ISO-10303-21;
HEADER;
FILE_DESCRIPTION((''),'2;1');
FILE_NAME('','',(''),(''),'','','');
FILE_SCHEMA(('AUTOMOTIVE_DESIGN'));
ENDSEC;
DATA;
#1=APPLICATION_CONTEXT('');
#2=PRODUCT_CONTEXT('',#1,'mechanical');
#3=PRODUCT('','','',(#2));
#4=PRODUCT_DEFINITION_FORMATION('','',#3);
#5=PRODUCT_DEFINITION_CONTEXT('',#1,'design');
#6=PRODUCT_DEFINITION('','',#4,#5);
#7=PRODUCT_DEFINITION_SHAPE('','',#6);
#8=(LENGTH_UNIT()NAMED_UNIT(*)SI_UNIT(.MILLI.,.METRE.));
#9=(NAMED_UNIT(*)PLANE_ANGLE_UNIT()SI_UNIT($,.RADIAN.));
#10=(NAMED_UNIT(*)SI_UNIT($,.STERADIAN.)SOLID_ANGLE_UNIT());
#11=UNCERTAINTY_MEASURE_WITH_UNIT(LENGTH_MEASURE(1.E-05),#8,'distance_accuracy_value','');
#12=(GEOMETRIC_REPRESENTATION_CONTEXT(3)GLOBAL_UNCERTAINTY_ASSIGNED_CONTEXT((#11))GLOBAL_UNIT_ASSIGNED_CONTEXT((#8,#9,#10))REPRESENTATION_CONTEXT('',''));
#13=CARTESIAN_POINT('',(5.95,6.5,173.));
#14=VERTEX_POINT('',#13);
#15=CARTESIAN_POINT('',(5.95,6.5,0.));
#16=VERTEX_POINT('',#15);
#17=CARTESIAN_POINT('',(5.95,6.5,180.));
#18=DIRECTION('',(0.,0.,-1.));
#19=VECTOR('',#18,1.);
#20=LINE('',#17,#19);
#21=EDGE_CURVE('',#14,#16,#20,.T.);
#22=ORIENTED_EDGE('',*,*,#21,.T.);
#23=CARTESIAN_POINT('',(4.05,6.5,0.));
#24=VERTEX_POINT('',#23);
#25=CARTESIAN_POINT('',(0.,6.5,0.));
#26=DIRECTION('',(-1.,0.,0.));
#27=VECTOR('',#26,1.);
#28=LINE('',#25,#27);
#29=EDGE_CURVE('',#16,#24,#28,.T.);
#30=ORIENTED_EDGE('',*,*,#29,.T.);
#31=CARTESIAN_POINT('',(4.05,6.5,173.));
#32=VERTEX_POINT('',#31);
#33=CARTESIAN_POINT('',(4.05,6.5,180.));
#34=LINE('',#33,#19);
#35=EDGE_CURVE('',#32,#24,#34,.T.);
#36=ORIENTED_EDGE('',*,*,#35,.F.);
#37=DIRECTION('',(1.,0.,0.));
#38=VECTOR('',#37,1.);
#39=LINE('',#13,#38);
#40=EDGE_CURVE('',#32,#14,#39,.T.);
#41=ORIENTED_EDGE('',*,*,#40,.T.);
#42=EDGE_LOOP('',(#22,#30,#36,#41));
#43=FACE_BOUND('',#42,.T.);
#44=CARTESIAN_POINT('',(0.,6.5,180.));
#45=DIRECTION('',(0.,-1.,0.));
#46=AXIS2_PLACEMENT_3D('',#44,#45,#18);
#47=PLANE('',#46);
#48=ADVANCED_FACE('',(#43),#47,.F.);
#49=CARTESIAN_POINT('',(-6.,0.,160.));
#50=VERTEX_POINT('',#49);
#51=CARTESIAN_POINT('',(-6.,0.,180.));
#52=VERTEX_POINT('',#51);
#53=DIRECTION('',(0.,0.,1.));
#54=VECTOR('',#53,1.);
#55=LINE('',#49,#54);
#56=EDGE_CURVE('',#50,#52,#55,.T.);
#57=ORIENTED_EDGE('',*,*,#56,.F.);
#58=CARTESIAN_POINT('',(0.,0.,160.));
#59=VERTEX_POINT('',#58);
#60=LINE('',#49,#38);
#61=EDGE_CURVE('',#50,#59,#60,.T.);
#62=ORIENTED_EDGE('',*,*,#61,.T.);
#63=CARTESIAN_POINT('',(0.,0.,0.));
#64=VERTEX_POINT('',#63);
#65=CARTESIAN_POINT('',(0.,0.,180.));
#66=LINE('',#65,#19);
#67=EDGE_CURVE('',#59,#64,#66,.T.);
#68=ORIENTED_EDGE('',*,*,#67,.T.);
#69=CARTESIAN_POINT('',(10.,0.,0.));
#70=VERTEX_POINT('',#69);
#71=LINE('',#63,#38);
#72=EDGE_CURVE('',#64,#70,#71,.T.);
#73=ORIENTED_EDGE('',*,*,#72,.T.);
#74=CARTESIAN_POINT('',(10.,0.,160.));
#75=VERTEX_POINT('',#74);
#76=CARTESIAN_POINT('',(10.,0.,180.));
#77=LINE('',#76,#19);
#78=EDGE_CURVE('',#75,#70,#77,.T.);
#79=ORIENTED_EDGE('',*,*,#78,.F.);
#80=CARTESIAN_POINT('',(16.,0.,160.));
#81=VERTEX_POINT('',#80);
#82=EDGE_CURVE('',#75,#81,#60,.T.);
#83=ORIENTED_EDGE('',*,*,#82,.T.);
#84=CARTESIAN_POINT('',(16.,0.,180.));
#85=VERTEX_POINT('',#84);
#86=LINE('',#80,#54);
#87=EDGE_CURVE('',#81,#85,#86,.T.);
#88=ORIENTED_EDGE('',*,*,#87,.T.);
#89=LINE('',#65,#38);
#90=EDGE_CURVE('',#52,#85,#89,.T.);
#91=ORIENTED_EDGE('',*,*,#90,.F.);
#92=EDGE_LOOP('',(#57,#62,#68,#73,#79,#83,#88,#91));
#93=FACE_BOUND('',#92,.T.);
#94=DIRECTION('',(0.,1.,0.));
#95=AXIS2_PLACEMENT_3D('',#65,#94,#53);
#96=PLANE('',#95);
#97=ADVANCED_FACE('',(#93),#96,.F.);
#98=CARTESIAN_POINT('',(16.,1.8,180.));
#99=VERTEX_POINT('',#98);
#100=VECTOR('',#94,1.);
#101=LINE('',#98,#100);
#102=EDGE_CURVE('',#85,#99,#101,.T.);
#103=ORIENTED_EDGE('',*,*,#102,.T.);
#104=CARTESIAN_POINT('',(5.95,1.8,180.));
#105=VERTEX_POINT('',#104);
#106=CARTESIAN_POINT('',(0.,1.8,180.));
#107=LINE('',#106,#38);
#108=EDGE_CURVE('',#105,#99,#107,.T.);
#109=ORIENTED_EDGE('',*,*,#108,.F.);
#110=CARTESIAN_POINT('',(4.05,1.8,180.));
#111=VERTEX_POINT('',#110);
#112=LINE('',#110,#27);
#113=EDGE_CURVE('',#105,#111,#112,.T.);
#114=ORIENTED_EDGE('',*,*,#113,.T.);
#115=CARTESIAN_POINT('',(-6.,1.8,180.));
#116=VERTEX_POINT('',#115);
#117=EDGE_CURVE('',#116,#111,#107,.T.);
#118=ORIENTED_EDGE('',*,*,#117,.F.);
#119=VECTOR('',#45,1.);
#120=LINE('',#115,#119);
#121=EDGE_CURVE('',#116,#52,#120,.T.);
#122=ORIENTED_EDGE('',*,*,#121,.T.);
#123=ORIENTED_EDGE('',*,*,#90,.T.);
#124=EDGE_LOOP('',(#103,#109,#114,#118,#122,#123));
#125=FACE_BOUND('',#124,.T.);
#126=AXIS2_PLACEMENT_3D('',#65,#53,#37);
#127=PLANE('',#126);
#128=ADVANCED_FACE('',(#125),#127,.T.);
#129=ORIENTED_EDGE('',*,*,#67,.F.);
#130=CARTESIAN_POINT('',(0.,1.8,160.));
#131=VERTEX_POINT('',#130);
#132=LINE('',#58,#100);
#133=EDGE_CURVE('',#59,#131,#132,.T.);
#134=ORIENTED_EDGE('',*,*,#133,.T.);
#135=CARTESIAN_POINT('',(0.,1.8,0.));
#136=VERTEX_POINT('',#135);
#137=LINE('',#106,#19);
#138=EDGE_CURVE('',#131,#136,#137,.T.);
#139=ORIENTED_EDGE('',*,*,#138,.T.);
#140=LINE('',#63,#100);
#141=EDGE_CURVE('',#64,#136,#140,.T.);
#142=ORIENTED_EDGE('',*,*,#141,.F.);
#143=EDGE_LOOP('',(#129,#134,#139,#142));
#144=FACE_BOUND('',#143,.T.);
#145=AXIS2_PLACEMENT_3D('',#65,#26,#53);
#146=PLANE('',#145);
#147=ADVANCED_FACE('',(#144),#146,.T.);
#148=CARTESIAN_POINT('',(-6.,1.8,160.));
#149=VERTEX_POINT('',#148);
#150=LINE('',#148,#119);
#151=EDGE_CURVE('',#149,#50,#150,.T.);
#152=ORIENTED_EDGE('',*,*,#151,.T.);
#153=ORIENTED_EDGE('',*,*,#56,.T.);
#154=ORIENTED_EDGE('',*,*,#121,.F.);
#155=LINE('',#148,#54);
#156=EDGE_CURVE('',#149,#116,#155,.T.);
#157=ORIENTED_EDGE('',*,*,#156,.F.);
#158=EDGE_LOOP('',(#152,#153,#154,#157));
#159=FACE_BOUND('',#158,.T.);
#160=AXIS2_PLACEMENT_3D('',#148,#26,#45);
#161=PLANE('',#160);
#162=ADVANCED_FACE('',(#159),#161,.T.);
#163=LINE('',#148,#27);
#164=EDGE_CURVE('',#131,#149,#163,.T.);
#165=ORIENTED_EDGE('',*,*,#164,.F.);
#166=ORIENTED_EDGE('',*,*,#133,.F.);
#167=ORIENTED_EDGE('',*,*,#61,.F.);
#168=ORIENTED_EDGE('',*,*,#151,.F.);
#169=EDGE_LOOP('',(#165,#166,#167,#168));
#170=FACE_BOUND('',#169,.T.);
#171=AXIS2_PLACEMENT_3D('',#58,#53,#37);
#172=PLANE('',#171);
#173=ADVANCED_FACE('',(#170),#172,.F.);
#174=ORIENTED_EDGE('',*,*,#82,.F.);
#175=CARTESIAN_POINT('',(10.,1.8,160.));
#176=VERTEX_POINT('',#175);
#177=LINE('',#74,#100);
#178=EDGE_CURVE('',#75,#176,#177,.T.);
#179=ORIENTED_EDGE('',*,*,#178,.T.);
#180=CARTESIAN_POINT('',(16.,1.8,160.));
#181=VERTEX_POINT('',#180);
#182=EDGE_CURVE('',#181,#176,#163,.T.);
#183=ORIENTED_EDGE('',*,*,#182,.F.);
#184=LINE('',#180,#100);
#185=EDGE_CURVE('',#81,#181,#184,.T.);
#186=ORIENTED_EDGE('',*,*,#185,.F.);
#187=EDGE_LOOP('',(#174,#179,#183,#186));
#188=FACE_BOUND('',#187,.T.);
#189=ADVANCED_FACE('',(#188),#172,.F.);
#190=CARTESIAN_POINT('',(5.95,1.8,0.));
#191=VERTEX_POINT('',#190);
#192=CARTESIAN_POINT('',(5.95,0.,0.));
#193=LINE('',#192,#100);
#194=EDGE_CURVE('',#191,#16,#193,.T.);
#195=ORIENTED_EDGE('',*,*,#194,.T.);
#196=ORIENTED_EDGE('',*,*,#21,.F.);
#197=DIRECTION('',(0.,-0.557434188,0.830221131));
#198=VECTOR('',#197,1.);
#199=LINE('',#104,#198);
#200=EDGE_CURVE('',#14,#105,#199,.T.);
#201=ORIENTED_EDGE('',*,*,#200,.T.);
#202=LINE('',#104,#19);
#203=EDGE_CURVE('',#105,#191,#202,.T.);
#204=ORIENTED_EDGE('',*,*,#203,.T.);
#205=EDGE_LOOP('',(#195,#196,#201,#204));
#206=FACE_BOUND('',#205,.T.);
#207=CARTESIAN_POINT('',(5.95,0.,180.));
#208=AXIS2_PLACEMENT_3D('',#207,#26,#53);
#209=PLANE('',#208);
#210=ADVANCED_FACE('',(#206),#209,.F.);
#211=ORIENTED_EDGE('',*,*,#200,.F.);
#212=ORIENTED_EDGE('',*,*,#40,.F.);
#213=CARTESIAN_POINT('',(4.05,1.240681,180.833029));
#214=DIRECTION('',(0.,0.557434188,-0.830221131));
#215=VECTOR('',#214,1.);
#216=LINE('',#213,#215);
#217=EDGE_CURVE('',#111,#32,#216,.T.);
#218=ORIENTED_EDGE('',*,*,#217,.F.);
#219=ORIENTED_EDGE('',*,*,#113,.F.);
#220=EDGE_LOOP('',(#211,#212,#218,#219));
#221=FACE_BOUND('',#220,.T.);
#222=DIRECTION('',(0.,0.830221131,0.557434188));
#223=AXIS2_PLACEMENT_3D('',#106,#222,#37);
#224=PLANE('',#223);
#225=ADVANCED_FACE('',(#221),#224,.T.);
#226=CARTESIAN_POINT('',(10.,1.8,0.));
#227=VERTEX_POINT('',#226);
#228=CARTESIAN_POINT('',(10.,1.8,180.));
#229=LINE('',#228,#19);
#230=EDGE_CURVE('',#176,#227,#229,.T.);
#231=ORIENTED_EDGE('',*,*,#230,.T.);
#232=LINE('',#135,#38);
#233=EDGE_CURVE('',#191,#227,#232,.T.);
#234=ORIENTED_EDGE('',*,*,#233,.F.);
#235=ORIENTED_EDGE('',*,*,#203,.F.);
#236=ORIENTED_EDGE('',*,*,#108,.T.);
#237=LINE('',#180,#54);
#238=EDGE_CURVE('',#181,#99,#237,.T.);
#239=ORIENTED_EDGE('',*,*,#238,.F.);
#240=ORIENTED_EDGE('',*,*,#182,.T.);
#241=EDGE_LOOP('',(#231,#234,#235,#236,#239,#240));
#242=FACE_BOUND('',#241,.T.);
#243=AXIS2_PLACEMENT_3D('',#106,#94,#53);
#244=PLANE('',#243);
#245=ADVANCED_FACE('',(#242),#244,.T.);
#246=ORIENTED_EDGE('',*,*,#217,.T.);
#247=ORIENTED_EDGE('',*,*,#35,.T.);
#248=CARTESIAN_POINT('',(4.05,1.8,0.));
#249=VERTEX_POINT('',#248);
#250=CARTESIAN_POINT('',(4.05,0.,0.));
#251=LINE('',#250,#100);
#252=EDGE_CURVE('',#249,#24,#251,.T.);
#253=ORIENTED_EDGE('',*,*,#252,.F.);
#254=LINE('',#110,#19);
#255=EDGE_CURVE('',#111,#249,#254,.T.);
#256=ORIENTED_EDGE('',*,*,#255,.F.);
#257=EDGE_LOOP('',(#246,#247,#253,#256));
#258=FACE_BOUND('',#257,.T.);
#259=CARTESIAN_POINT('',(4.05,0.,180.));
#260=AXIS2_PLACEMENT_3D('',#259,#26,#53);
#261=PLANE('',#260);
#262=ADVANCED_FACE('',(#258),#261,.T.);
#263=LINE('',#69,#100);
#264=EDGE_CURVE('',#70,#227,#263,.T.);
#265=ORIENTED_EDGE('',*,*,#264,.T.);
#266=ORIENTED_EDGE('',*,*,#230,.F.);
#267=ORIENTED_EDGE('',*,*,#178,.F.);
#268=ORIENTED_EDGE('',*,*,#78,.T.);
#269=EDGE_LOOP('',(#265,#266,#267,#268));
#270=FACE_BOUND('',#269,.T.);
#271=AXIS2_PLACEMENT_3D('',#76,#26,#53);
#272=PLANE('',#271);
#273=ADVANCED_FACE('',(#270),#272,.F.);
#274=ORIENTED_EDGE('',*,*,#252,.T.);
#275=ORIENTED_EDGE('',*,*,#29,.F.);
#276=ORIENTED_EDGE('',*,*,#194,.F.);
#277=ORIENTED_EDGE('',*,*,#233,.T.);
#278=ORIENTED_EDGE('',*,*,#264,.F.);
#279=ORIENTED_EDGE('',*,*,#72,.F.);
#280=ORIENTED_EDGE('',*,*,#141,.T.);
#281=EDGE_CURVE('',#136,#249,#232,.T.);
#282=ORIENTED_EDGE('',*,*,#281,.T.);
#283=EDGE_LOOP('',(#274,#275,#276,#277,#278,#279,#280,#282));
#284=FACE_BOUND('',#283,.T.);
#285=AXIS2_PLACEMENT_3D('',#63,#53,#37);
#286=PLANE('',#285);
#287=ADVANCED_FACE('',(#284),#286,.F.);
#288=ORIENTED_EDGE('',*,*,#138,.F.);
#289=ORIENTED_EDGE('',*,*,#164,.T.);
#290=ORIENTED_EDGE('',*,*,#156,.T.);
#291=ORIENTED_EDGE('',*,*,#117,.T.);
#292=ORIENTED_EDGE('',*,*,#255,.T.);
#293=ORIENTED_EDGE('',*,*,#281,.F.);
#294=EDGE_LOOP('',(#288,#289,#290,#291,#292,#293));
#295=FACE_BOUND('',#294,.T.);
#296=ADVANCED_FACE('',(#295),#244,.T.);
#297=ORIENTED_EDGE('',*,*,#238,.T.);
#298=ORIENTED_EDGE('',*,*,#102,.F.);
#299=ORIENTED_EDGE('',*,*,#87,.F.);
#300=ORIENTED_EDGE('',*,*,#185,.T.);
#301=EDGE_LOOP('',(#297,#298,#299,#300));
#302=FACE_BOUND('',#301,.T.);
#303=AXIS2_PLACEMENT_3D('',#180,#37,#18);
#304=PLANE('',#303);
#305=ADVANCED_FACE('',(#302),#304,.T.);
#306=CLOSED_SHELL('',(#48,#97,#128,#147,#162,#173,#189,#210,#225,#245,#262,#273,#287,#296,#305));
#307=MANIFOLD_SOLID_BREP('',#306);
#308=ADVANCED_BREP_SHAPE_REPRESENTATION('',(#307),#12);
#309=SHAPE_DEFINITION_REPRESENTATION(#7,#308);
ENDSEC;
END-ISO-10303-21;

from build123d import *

# Parameters (mm, degrees)
SKETCH1_W           = 10
SKETCH1_H           = 1.8
SKETCH1_W_2         = 1.9
SKETCH1_H_2         = 4.7
BOSS_EXTRUDE1_DEPTH = 180
SKETCH2_W           = 22
SKETCH2_H           = 1.8
BOSS_EXTRUDE2_DEPTH = 20
CHAMFER1_SIZE       = 7
CHAMFER1_SIZE2      = 4.7


with BuildPart() as part:
    # Sketch1 → Boss-Extrude1 (new body)
    with BuildSketch(Plane.XY):
        with Locations((5, 0.9)):
            Rectangle(SKETCH1_W, SKETCH1_H)
        with Locations((5, 4.15)):
            Rectangle(SKETCH1_W_2, SKETCH1_H_2)
    extrude(amount=BOSS_EXTRUDE1_DEPTH)

    # Sketch2 → Boss-Extrude2 (add)
    with BuildSketch(Plane.XY.offset(180)):
        with Locations((5, 0.9)):
            Rectangle(SKETCH2_W, SKETCH2_H)
    extrude(amount=-BOSS_EXTRUDE2_DEPTH)

    # Chamfer1
    chamfer1_edges = [part.edges().sort_by_distance(p)[0] for p in [
        (5, 6.5, 180),
    ]]
    chamfer1_side = [part.faces().sort_by_distance(p)[0] for p in [
        (5, 6.5, 90),
    ]]
    chamfer(chamfer1_edges, length=CHAMFER1_SIZE, length2=CHAMFER1_SIZE2, reference=chamfer1_side[0])


solid = part.part
